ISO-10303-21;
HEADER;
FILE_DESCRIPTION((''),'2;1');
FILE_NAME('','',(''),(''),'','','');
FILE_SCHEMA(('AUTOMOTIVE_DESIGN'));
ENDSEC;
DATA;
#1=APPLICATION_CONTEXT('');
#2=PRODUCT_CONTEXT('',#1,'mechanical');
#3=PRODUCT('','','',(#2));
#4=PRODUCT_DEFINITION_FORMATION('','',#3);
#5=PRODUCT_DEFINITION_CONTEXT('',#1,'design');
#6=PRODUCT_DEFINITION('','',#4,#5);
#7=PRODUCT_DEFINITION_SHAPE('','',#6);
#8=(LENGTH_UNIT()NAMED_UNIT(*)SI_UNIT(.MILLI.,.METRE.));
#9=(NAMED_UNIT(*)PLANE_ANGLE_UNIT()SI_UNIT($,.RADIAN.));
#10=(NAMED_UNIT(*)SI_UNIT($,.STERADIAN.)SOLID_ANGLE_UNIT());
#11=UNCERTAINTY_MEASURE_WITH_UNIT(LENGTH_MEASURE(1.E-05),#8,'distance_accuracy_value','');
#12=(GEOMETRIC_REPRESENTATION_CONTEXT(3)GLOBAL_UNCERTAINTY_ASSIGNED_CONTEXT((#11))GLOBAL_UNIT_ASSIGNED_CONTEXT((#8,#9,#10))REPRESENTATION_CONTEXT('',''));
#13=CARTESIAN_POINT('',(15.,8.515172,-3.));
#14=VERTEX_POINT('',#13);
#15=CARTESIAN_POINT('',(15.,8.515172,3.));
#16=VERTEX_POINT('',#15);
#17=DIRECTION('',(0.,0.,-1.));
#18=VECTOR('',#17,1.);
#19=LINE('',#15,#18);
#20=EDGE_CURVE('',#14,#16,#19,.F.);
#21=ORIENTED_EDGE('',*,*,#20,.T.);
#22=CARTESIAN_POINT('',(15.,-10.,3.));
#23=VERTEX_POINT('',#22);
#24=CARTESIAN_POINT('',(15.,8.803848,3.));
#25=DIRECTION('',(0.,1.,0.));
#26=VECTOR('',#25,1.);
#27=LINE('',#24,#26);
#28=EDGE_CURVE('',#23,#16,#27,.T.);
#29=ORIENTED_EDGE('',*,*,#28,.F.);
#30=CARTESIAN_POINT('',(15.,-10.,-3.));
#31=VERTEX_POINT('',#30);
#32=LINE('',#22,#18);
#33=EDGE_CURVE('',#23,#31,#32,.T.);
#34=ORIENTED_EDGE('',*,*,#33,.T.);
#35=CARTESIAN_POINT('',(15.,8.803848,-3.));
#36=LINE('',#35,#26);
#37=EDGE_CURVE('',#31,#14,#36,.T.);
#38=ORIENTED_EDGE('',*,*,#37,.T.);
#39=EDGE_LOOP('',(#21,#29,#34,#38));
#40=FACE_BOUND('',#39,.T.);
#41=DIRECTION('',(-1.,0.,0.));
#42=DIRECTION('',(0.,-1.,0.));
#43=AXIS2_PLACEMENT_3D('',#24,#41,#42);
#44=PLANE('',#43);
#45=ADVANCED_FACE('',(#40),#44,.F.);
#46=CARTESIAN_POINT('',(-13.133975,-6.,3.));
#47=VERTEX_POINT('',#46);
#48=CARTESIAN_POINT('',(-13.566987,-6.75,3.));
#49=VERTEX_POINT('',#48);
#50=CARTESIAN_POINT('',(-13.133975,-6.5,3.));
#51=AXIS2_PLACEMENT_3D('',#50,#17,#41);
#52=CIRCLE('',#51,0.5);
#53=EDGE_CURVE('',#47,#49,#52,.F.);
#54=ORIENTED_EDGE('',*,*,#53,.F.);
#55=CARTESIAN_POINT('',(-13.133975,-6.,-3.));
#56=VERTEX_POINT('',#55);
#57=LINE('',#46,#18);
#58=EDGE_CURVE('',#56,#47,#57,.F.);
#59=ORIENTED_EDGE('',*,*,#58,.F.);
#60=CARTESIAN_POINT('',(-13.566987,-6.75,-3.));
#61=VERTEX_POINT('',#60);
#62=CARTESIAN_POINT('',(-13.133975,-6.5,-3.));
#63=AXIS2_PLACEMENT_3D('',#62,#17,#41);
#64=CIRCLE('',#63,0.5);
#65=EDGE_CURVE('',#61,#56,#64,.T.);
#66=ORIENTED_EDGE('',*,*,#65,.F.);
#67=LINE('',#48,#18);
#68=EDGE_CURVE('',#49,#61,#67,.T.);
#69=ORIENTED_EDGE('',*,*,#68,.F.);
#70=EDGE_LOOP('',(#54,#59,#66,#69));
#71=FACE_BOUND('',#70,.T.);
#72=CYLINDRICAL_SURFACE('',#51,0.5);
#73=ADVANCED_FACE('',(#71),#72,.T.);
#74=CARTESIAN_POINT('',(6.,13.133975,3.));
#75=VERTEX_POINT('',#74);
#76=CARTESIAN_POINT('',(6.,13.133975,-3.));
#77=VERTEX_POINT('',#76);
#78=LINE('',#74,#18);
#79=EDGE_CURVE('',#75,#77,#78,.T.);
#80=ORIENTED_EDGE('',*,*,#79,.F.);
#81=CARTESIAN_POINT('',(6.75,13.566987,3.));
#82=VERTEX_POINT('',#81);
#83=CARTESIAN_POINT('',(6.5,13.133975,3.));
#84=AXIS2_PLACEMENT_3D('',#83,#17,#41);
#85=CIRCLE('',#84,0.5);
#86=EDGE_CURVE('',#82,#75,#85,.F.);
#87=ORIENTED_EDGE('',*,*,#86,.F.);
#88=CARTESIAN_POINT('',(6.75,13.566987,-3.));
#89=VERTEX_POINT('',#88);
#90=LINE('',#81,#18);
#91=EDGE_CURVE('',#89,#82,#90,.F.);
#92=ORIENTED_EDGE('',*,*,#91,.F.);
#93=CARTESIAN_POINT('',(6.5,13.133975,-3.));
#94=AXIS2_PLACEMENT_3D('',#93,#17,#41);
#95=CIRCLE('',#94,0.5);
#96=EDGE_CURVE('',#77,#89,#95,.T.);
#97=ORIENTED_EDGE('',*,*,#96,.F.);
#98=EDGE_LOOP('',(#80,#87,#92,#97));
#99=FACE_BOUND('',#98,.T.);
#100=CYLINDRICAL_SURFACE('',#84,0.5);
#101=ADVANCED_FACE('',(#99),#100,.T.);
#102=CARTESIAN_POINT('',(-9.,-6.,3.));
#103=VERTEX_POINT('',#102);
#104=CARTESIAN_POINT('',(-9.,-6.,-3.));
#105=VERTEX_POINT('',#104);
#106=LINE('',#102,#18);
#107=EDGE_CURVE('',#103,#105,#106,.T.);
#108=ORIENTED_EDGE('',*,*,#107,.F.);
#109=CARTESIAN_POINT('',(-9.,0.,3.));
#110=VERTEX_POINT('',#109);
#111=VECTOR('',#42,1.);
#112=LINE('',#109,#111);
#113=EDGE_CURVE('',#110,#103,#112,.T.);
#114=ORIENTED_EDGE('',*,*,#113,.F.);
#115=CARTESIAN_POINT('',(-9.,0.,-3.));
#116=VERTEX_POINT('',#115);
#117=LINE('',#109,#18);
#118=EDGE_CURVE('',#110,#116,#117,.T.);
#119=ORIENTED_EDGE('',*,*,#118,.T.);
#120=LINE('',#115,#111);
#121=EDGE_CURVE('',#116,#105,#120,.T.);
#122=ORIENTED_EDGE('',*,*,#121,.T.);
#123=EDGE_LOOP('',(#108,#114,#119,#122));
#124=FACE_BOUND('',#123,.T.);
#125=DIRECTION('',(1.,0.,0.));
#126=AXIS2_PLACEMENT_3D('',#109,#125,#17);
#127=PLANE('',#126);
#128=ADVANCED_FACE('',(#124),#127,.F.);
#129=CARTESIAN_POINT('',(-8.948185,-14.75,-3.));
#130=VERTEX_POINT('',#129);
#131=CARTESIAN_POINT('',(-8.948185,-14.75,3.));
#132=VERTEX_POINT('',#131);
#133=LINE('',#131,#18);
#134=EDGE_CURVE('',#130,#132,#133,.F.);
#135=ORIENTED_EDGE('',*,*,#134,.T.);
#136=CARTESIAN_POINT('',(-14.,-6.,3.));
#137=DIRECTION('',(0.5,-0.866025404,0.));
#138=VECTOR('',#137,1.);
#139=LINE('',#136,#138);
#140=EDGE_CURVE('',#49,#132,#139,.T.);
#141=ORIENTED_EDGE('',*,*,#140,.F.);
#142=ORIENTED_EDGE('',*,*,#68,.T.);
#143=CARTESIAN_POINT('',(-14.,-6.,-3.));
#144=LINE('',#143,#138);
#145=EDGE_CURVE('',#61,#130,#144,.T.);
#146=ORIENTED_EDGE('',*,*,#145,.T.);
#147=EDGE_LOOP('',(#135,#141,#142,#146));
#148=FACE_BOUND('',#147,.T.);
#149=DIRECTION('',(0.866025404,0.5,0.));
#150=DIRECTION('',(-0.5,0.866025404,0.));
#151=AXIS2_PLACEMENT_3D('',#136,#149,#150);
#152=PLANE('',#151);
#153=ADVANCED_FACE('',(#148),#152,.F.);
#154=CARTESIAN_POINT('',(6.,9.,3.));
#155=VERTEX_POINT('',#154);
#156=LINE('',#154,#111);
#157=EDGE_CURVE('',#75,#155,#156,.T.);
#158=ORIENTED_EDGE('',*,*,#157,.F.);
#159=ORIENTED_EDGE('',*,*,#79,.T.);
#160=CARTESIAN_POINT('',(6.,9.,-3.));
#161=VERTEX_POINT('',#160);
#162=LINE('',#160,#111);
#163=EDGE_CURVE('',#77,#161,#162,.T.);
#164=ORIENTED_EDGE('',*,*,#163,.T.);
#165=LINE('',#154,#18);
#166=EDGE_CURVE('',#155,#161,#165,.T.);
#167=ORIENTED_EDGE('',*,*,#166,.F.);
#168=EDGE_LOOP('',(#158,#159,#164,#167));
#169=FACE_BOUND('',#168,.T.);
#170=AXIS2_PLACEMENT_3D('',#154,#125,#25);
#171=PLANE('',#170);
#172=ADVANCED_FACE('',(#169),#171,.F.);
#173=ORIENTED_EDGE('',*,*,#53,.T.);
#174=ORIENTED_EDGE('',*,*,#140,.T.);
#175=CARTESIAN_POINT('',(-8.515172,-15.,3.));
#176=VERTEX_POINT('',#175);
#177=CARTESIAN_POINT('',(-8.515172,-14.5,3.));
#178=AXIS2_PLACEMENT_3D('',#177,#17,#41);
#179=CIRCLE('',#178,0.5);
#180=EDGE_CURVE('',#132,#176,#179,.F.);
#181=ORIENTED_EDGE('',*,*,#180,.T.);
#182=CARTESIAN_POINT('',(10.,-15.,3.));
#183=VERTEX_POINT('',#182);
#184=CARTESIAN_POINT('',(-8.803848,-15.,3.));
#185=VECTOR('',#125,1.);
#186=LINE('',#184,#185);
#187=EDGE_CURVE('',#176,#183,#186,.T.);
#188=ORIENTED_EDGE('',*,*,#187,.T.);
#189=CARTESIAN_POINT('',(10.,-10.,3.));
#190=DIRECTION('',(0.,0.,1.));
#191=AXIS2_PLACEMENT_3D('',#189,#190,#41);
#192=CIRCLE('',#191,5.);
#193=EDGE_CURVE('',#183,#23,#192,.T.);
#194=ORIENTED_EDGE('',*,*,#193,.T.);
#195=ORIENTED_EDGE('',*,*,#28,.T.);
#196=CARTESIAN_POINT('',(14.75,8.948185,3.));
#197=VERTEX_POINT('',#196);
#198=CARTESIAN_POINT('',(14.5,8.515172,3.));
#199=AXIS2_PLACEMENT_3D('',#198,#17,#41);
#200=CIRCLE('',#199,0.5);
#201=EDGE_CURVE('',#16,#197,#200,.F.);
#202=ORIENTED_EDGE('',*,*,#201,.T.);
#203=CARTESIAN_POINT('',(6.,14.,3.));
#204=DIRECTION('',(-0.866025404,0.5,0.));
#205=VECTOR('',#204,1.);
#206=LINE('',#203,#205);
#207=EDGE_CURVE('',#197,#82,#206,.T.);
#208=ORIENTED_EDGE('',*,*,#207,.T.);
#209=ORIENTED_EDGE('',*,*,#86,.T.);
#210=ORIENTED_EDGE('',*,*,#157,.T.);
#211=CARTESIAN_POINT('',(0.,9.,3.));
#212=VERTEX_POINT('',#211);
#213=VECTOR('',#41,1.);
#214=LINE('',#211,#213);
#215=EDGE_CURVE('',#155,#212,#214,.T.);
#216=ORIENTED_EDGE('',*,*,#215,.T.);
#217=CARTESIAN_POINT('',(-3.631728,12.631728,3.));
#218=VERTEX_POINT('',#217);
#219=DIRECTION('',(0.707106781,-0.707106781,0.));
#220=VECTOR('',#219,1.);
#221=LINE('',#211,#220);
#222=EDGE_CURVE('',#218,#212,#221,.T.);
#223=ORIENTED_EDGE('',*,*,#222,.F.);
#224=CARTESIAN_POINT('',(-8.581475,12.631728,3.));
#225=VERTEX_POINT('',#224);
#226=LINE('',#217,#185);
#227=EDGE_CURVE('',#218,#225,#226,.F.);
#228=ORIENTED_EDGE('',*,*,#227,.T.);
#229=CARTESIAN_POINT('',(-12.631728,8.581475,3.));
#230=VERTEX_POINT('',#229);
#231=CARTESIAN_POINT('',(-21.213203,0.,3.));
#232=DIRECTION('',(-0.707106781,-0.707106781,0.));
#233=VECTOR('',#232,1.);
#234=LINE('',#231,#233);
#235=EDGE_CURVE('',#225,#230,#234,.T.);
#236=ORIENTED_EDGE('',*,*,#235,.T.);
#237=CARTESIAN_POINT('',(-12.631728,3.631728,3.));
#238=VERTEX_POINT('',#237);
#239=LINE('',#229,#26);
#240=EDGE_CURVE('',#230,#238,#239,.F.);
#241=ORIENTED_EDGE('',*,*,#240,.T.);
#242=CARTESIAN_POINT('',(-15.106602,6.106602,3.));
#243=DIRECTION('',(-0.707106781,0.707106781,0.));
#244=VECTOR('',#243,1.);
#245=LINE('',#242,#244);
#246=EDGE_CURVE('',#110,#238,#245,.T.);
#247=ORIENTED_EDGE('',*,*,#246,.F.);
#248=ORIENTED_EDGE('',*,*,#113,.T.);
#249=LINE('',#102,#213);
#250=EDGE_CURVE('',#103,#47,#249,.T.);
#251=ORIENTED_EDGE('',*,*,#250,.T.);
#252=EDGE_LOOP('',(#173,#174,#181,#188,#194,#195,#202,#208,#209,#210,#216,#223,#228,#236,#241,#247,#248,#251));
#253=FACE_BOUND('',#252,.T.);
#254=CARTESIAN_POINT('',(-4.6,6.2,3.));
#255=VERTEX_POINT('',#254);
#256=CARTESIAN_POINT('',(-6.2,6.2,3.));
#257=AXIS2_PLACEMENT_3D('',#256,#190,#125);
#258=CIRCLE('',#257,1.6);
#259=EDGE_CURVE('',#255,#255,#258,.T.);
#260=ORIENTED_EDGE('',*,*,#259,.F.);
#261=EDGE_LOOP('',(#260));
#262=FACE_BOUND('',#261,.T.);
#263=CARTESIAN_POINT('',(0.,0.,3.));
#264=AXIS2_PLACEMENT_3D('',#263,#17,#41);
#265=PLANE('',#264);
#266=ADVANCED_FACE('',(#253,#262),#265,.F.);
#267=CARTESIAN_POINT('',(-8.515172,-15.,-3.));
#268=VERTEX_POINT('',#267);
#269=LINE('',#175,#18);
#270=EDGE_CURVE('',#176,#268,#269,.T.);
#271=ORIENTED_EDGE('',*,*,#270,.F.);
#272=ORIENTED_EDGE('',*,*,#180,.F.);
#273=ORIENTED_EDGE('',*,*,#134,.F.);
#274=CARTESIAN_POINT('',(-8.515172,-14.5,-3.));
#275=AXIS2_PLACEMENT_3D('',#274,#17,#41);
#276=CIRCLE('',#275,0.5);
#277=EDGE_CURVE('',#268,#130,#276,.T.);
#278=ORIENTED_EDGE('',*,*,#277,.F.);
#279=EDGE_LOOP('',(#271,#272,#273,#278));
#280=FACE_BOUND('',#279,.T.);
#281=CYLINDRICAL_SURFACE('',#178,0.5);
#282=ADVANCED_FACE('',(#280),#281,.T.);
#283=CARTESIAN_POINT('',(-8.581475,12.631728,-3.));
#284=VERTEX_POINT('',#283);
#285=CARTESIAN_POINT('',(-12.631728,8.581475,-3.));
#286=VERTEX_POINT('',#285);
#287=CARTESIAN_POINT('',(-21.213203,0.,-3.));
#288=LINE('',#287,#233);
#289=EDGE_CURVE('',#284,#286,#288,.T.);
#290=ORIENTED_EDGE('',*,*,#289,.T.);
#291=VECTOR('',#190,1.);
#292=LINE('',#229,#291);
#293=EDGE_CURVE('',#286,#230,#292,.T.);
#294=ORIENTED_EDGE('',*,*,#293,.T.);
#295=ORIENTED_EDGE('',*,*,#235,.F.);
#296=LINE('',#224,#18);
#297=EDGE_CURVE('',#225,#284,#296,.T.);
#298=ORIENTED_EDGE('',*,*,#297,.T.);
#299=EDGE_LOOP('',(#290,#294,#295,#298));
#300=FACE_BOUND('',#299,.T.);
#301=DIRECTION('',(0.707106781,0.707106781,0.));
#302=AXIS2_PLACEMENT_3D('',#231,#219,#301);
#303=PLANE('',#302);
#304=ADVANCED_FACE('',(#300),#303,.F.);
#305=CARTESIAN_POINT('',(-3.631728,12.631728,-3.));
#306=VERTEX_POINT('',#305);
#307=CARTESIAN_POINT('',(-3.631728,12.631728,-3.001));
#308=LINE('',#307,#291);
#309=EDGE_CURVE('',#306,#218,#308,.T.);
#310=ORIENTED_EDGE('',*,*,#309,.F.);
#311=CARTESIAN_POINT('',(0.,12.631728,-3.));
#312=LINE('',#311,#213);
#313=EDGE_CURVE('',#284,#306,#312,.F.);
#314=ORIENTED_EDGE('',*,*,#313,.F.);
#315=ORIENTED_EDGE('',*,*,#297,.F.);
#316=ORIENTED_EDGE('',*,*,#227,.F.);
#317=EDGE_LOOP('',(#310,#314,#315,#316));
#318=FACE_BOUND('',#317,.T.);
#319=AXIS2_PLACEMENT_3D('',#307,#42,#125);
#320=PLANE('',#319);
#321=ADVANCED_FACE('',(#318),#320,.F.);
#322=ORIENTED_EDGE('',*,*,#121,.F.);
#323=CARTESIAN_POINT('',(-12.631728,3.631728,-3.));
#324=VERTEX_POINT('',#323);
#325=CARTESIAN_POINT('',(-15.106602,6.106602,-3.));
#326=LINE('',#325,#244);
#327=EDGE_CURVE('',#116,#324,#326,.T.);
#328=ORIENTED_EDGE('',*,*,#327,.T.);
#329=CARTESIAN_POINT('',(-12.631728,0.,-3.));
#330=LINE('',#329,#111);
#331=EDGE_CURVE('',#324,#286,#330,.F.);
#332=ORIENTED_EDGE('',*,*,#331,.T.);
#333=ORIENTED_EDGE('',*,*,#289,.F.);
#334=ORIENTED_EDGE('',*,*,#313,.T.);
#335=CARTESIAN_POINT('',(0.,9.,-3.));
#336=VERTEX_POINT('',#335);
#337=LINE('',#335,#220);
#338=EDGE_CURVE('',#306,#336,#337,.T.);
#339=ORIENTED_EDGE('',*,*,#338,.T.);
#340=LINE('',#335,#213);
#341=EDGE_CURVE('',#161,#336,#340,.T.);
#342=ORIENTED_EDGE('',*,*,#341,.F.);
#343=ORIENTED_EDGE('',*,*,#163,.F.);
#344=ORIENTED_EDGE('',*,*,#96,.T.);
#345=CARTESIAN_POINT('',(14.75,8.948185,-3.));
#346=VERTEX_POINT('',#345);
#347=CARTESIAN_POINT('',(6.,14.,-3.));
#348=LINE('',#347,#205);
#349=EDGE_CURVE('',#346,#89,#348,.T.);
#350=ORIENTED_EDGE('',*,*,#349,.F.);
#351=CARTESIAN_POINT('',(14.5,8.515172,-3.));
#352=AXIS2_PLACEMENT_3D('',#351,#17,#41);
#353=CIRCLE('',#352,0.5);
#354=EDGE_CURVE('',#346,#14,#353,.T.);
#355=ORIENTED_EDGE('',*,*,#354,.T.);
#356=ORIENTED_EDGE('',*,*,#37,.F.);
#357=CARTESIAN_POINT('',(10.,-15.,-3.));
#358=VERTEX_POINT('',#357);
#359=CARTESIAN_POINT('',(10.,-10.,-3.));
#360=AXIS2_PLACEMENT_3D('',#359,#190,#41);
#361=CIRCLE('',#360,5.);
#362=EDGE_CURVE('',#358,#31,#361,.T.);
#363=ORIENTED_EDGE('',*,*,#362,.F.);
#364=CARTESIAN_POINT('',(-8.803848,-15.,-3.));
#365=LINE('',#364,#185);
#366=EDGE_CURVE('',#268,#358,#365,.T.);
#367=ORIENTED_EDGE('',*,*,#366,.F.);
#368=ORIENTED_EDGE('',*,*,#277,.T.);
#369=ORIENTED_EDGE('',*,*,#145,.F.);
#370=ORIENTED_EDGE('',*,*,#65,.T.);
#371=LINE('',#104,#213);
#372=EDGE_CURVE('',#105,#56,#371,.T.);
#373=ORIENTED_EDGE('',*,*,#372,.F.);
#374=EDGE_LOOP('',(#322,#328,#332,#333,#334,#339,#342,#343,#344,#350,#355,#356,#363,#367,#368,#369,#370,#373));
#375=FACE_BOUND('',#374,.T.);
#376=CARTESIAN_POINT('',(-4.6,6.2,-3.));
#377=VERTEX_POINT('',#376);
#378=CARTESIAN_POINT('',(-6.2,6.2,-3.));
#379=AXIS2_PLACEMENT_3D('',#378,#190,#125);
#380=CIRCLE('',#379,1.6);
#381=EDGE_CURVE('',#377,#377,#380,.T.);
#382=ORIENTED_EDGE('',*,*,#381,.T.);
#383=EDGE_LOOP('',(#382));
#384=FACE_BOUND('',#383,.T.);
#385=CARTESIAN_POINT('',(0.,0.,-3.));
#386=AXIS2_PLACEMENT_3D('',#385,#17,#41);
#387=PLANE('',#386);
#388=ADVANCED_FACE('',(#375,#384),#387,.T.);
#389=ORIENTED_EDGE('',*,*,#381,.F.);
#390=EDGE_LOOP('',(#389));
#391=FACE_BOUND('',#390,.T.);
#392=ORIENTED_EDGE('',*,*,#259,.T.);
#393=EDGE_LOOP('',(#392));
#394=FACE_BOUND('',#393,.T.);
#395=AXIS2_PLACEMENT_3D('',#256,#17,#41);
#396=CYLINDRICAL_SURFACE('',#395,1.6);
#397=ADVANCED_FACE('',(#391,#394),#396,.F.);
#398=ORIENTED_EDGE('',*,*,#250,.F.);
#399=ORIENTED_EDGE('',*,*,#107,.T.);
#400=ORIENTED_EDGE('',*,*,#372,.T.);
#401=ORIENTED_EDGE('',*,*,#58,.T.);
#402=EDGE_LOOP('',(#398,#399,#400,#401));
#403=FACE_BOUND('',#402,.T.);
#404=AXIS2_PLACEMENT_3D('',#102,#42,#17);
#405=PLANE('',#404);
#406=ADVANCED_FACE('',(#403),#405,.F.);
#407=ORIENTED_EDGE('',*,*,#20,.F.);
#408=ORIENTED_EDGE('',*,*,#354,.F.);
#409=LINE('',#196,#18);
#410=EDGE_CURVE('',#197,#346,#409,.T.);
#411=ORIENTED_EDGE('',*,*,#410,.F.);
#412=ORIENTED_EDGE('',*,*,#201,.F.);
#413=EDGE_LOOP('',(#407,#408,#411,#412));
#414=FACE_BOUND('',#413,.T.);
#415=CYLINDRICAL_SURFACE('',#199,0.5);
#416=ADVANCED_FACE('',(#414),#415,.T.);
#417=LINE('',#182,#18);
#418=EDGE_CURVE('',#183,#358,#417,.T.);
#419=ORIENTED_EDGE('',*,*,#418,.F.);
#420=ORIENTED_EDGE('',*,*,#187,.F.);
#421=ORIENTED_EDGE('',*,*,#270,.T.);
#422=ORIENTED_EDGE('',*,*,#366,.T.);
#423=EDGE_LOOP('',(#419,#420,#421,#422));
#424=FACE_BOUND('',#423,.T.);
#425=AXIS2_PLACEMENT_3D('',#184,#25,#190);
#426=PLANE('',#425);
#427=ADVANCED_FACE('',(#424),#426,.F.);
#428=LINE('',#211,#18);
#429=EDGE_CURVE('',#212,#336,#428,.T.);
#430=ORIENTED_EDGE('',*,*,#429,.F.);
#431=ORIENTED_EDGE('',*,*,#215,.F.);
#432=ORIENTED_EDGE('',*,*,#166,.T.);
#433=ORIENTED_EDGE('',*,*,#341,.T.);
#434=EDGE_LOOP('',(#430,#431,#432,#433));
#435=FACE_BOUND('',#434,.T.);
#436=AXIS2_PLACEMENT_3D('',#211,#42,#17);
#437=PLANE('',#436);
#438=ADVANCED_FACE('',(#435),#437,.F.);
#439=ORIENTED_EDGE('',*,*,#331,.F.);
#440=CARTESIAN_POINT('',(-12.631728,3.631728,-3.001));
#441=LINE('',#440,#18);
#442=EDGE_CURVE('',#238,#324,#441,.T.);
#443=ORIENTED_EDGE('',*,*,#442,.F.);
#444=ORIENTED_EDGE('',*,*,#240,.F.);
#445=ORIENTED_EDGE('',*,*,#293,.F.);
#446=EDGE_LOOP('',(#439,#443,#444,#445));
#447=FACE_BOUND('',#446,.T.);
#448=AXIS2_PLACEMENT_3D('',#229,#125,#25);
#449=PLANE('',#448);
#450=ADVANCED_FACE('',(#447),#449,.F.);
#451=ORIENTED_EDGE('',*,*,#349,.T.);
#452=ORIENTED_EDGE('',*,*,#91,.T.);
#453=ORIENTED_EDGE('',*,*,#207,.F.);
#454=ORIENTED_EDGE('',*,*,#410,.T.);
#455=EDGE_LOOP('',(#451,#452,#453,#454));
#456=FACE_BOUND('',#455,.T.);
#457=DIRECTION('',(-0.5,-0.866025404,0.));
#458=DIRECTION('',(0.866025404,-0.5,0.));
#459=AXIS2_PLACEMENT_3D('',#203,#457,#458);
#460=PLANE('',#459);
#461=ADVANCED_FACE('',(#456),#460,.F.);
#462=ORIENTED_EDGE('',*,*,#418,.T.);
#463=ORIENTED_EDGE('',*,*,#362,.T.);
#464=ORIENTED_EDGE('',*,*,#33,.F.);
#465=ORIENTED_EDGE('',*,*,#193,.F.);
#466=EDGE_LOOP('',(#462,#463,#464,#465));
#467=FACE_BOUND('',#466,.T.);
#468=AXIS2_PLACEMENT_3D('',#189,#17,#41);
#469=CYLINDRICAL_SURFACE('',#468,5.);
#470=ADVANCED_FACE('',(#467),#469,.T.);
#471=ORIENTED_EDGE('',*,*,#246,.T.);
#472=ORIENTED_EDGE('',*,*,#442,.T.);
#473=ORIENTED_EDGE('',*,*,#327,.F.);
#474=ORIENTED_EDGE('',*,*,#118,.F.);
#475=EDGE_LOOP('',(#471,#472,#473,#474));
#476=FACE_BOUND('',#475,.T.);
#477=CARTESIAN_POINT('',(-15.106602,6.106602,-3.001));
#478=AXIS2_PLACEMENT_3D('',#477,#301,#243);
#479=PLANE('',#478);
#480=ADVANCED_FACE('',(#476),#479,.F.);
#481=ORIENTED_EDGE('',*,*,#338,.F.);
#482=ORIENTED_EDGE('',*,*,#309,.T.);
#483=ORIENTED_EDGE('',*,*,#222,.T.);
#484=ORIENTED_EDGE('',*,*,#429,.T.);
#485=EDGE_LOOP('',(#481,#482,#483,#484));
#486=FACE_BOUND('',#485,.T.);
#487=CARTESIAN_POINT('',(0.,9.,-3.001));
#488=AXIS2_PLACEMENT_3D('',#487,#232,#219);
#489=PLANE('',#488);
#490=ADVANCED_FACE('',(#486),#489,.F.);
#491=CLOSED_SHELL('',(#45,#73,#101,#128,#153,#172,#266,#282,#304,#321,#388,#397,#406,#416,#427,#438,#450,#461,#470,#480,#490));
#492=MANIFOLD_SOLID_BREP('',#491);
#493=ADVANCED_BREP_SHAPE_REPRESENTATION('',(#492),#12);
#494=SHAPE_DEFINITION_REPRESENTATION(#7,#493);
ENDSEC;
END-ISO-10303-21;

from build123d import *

# Parameters (mm, degrees)
SKETCH1_R           = 1.6
BOSS_EXTRUDE1_DEPTH = 3
BOSS_EXTRUDE2_DEPTH = 3
FILLET1_R           = 0.5
CUT_EXTRUDE1_REACH  = 8
CHAMFER1_SIZE       = 3.5


with BuildPart() as part:
    # Sketch1 → Boss-Extrude1 (new body, symmetric)
    with BuildSketch(Plane.XY):
        Polygon((0, 0), (-21.213203436, 0), (0, 21.213203436), align=None)
        with Locations((-6.2, 6.2)):
            Circle(SKETCH1_R, mode=Mode.SUBTRACT)
    extrude(amount=BOSS_EXTRUDE1_DEPTH, both=True)

    # Sketch2 → Boss-Extrude2 (add, symmetric)
    with BuildSketch(Plane.XY):
        with BuildLine():
            Line((-9, 0), (-9, -6))
            Line((-9, -6), (-14, -6))
            Line((-14, -6), (-8.803847577, -15))
            Line((-8.803847577, -15), (10, -15))
            ThreePointArc((10, -15), (13.535533906, -13.535533906), (15, -10))
            Line((15, -10), (15, 8.803847577))
            Line((15, 8.803847577), (6, 14))
            Line((6, 14), (6, 9))
            Line((6, 9), (0, 9))
            Line((0, 9), (0, 0))
            Line((0, 0), (-9, 0))
        make_face()
    extrude(amount=BOSS_EXTRUDE2_DEPTH, both=True)

    # Fillet1
    fillet1_edges = [part.edges().sort_by_distance(p)[0] for p in [
        (-14, -6, 0),
        (-8.803847577, -15, 0),
        (15, 8.803847577, 0),
        (6, 14, 0),
    ]]
    fillet(fillet1_edges, radius=FILLET1_R)

    # Sketch4 → Cut-Extrude1 (cut, up to next)
    with BuildSketch(Plane.XY.offset(3), mode=Mode.PRIVATE) as cut_extrude1_sk1:
        Polygon((0, 9), (-6.106601718, 15.106601718), (0, 21.213203436), align=None)
    cut_extrude1_tool1 = extrude(cut_extrude1_sk1.sketch, amount=-CUT_EXTRUDE1_REACH, mode=Mode.PRIVATE) & part.part
    add(cut_extrude1_tool1.solids().sort_by_distance((-2.035534, 15.106602, 3))[0], mode=Mode.SUBTRACT)
    # Sketch4 → Cut-Extrude1 (cut, up to next)
    with BuildSketch(Plane.XY.offset(3), mode=Mode.PRIVATE) as cut_extrude1_sk2:
        Polygon((-21.213203436, 0), (-15.106601718, 6.106601718), (-9, 0), align=None)
    cut_extrude1_tool2 = extrude(cut_extrude1_sk2.sketch, amount=-CUT_EXTRUDE1_REACH, mode=Mode.PRIVATE) & part.part
    add(cut_extrude1_tool2.solids().sort_by_distance((-15.106602, 2.035534, 3))[0], mode=Mode.SUBTRACT)

    # Chamfer1
    chamfer1_edges = [part.edges().sort_by_distance(p)[0] for p in [
        (-6.106601718, 15.106601718, 0),
        (-15.106601718, 6.106601718, 0),
    ]]
    chamfer(chamfer1_edges, length=CHAMFER1_SIZE)


solid = part.part
